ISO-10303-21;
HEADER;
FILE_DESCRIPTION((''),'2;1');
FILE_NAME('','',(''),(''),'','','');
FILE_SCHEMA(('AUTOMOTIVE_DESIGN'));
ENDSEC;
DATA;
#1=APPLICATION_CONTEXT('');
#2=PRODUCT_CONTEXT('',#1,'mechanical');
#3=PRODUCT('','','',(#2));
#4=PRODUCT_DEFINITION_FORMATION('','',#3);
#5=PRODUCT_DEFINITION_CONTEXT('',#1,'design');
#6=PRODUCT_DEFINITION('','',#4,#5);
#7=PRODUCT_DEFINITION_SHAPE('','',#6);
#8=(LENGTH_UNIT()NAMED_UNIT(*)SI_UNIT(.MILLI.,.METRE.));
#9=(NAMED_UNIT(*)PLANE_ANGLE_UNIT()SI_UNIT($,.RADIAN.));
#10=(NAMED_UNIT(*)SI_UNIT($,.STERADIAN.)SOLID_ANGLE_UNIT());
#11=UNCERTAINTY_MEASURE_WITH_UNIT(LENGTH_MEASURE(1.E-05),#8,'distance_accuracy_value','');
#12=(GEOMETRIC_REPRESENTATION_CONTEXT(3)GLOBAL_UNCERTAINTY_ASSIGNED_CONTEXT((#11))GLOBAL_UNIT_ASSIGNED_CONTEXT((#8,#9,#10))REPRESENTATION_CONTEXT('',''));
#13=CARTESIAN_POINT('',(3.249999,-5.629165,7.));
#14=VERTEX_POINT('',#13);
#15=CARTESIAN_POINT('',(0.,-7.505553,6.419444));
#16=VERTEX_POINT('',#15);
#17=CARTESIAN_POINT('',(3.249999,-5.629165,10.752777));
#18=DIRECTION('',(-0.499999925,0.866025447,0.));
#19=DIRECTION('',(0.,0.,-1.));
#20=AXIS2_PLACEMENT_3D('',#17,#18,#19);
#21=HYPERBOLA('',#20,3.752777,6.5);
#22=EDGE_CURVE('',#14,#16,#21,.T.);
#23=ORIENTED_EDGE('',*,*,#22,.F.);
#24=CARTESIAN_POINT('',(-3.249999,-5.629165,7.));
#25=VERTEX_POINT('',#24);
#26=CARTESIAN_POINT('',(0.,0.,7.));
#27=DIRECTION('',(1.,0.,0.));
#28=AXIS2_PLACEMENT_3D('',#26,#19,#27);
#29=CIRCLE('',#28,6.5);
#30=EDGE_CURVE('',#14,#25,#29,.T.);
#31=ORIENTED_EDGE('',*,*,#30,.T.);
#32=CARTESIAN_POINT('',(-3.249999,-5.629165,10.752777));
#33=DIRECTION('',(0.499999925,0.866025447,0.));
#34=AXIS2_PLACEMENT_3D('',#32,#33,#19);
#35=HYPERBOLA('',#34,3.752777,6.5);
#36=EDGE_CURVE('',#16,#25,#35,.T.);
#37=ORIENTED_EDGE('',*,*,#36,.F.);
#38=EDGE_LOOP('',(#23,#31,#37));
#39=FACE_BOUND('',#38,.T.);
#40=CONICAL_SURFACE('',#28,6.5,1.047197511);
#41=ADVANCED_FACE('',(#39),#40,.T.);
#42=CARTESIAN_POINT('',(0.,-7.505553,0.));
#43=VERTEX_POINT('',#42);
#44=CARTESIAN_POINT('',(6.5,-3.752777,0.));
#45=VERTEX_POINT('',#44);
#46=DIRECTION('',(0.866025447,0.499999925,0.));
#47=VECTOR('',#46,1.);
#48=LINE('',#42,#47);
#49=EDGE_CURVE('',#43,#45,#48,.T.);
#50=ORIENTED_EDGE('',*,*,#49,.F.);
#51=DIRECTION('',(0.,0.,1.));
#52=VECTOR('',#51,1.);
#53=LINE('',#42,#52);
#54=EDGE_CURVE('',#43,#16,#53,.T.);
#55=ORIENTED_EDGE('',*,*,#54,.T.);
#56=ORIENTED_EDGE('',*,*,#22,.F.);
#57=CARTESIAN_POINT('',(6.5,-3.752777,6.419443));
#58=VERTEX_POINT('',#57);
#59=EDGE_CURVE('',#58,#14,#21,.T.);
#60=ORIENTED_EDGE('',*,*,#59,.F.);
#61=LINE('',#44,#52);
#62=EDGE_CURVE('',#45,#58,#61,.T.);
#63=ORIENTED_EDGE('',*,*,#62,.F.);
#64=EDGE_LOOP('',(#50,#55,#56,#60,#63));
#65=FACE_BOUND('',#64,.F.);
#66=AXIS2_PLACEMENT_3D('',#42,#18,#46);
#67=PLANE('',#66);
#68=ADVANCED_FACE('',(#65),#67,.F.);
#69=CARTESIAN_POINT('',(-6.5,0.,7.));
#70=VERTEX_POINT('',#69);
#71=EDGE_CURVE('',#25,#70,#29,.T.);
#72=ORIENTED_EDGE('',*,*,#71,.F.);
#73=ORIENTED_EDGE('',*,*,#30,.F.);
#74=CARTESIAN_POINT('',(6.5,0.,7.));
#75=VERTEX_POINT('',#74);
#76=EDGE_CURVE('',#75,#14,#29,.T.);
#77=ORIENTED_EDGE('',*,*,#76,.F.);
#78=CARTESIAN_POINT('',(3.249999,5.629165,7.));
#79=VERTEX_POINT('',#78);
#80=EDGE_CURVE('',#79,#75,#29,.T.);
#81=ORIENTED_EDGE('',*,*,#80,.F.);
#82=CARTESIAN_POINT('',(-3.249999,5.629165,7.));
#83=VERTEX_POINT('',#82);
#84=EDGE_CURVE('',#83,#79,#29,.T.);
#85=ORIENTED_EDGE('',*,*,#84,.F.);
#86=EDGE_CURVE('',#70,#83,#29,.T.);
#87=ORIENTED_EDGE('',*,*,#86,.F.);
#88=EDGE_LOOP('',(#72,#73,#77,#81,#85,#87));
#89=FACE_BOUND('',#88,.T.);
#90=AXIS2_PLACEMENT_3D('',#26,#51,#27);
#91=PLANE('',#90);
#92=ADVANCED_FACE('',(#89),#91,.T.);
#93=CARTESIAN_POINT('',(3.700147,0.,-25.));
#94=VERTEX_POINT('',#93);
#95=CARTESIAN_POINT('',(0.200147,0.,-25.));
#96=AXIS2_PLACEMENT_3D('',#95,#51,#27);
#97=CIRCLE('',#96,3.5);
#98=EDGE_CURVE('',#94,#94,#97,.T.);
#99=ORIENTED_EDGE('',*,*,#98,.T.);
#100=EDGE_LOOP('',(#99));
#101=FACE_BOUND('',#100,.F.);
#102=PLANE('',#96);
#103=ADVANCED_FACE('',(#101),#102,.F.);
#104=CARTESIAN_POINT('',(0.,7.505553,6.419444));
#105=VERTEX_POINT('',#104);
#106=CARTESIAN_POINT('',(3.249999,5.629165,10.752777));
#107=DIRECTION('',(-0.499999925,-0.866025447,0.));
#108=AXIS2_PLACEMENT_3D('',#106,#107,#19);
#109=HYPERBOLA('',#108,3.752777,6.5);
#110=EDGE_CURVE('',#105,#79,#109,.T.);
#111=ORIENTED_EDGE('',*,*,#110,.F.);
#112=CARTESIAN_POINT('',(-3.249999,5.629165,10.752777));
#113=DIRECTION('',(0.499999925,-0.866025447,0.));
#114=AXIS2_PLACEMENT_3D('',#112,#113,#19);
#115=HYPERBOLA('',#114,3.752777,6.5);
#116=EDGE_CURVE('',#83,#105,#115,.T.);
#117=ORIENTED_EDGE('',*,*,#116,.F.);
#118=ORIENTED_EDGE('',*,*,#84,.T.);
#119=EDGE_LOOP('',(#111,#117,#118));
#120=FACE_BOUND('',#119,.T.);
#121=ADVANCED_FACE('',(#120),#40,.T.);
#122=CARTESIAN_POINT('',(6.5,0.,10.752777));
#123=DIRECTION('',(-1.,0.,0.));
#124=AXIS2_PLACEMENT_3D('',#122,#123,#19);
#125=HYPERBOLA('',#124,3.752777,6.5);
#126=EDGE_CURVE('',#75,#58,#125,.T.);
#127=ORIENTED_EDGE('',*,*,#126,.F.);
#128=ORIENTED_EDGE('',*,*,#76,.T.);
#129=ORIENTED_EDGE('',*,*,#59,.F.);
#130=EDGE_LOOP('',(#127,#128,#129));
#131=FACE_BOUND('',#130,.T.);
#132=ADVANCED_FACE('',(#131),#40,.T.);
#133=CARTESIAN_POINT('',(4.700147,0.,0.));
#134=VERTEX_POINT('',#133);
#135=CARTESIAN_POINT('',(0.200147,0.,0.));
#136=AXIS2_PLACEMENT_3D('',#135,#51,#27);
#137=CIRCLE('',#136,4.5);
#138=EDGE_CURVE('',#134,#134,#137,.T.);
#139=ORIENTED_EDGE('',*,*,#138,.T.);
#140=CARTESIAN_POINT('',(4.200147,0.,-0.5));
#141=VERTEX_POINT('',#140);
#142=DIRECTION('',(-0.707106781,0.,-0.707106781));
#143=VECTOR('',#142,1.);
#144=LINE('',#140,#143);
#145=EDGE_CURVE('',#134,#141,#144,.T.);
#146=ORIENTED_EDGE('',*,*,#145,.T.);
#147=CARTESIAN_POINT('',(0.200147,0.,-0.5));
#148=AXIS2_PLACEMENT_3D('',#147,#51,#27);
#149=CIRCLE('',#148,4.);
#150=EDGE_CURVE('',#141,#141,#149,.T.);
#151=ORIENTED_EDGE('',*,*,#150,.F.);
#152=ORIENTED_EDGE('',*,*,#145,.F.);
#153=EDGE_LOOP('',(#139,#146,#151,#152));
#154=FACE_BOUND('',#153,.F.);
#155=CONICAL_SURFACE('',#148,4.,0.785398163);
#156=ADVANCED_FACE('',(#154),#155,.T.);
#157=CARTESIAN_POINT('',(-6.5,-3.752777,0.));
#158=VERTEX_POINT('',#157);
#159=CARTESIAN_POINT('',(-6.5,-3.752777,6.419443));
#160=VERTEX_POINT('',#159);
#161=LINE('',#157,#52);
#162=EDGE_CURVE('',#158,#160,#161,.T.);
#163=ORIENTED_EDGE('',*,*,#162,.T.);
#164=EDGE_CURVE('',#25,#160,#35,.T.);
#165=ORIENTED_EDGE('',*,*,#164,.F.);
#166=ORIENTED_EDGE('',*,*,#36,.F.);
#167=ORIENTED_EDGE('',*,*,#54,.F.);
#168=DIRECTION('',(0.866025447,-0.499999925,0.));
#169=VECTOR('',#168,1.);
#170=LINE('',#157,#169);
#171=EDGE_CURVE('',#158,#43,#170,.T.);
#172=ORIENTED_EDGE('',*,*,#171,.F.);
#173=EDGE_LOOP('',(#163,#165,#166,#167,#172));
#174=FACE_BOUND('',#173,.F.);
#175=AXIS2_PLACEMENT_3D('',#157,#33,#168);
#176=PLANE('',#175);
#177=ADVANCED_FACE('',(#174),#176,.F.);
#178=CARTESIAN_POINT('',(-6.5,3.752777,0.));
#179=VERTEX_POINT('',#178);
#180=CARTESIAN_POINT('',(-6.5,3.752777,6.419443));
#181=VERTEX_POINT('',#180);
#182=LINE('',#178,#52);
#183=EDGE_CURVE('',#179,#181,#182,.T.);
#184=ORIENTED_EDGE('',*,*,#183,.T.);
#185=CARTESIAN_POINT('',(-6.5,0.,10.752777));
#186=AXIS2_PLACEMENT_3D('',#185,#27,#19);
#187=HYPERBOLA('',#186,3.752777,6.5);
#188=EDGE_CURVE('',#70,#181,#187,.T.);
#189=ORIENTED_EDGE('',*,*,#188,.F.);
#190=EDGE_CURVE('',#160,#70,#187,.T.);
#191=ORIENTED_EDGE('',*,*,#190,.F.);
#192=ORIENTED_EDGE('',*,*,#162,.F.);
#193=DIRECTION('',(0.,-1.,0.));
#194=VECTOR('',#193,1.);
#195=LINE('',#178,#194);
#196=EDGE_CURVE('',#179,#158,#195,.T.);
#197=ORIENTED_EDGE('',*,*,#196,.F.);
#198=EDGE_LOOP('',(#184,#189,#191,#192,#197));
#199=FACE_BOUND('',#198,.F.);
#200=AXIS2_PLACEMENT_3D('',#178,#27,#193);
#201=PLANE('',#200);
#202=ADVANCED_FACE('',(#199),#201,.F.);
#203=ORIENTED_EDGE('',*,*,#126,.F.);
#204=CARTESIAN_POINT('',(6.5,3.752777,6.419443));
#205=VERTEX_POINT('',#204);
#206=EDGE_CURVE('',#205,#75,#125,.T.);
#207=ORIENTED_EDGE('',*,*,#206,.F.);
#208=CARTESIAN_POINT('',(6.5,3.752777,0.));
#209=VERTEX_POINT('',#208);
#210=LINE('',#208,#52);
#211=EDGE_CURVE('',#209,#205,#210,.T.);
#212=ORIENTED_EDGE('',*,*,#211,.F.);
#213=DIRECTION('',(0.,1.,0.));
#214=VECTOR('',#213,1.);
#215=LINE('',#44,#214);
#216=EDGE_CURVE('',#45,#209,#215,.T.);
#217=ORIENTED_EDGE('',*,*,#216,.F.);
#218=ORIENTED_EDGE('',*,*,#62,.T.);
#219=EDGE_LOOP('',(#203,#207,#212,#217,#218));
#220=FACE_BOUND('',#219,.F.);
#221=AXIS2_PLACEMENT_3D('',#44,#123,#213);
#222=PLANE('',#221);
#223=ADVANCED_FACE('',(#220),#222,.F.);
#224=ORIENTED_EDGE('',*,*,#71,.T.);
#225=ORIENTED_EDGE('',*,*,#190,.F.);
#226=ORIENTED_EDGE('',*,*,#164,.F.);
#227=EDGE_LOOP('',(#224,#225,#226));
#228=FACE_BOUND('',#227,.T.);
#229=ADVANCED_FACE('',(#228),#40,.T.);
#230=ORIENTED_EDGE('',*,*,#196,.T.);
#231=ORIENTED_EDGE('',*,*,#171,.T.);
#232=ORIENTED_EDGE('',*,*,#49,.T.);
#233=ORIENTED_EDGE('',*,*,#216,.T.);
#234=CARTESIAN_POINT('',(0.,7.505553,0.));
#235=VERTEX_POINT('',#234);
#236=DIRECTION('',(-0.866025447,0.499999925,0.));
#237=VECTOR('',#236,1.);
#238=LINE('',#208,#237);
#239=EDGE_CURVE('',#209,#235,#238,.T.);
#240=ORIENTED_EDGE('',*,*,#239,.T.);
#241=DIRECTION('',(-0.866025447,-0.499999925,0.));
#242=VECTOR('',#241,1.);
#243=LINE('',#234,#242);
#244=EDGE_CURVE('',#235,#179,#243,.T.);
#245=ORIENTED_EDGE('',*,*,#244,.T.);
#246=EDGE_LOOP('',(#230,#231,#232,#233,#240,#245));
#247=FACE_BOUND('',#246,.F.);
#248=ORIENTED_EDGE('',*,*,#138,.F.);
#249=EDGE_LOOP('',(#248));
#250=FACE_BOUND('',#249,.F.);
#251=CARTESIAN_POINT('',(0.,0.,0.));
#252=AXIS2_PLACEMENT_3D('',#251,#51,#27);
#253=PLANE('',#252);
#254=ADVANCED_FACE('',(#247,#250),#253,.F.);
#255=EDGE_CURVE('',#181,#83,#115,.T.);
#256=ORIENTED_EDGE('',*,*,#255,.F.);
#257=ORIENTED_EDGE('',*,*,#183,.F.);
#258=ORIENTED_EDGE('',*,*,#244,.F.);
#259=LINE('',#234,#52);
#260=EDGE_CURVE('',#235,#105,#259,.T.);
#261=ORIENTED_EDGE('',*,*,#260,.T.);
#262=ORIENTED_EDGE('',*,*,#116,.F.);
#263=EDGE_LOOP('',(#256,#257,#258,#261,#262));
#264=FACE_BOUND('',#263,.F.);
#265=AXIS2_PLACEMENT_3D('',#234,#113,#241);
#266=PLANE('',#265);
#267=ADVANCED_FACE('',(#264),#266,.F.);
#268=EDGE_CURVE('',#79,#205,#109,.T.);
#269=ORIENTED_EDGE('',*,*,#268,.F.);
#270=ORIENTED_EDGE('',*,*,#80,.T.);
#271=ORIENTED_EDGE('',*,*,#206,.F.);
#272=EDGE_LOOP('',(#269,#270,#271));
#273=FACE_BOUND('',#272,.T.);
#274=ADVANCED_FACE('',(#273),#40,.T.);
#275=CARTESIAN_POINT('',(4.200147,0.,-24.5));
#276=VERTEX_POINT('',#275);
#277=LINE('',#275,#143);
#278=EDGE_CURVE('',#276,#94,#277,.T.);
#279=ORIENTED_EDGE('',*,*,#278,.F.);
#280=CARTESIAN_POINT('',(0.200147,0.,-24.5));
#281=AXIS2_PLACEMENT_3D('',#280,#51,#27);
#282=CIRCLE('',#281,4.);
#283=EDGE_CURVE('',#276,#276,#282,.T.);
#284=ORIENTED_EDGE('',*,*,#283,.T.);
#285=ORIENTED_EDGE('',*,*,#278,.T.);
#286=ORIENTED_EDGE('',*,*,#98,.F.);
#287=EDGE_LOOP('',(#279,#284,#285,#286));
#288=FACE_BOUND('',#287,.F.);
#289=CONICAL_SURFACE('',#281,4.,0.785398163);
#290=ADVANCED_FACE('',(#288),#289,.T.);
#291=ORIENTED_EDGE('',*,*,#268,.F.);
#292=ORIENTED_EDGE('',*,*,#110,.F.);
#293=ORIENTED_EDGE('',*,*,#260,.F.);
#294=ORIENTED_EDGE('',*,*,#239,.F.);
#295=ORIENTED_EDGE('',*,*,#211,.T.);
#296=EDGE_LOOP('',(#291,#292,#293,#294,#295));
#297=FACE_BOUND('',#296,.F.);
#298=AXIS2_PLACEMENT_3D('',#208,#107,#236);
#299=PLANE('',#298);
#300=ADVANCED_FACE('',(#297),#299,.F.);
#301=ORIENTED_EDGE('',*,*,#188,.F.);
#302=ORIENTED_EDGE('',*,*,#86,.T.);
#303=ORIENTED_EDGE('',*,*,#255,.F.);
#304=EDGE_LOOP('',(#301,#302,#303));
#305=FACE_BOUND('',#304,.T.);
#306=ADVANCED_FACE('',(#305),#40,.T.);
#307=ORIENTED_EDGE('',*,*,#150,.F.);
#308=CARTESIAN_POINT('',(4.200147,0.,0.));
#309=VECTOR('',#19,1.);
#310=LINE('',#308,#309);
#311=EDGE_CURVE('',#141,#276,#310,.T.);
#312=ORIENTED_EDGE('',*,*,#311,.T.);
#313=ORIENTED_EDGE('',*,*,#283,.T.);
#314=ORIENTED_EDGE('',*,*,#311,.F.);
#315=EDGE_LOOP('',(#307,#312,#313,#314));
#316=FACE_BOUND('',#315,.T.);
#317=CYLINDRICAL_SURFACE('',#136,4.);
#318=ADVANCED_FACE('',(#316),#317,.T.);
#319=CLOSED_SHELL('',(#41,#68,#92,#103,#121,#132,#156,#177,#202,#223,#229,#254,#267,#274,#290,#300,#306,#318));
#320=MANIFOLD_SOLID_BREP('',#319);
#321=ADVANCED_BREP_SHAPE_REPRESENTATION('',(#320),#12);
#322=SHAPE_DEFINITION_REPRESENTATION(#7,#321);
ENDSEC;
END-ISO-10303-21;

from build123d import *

# Parameters (mm, degrees)
F0_R     = 4
F1_DEPTH = 7
F2_R     = 4
F3_DEPTH = 25
F4_SIZE  = 0.5


with BuildPart() as f1:
    # F0 (on Top) → F1 (new body)
    with BuildSketch(Plane.XY):
        Polygon((0, -7.505553), (6.5, -3.752777), (6.5, 3.752777), (0, 7.505553), (-6.5, 3.752777), (-6.5, -3.752777), align=None)
        Circle(F0_R, mode=Mode.SUBTRACT)
        Circle(F0_R)
    extrude(amount=F1_DEPTH)

    # F2 (on Top) → F3 (join)
    with BuildSketch(Plane.XY):
        with Locations((0.200147, 0)):
            Circle(F2_R)
    extrude(amount=-F3_DEPTH)

    # F4
    f4_edges = [f1.edges().sort_by_distance(p)[0] for p in [
        (4.200147, 0, -12.5),
        (-3.799853, 0, 0),
        (-3.799853, 0, -25),
    ]]
    chamfer(f4_edges, length=F4_SIZE)

    # F5 (on Front) → F6 (revolve, cut)
    with BuildSketch(Plane.XZ):
        Polygon((13.280644, 7), (6.5, 7), (13.280644, 3.085193), align=None)
    revolve(axis=Axis((0, 0, 3.977945), (0, 0, -1)), mode=Mode.SUBTRACT)


solid = f1.part
